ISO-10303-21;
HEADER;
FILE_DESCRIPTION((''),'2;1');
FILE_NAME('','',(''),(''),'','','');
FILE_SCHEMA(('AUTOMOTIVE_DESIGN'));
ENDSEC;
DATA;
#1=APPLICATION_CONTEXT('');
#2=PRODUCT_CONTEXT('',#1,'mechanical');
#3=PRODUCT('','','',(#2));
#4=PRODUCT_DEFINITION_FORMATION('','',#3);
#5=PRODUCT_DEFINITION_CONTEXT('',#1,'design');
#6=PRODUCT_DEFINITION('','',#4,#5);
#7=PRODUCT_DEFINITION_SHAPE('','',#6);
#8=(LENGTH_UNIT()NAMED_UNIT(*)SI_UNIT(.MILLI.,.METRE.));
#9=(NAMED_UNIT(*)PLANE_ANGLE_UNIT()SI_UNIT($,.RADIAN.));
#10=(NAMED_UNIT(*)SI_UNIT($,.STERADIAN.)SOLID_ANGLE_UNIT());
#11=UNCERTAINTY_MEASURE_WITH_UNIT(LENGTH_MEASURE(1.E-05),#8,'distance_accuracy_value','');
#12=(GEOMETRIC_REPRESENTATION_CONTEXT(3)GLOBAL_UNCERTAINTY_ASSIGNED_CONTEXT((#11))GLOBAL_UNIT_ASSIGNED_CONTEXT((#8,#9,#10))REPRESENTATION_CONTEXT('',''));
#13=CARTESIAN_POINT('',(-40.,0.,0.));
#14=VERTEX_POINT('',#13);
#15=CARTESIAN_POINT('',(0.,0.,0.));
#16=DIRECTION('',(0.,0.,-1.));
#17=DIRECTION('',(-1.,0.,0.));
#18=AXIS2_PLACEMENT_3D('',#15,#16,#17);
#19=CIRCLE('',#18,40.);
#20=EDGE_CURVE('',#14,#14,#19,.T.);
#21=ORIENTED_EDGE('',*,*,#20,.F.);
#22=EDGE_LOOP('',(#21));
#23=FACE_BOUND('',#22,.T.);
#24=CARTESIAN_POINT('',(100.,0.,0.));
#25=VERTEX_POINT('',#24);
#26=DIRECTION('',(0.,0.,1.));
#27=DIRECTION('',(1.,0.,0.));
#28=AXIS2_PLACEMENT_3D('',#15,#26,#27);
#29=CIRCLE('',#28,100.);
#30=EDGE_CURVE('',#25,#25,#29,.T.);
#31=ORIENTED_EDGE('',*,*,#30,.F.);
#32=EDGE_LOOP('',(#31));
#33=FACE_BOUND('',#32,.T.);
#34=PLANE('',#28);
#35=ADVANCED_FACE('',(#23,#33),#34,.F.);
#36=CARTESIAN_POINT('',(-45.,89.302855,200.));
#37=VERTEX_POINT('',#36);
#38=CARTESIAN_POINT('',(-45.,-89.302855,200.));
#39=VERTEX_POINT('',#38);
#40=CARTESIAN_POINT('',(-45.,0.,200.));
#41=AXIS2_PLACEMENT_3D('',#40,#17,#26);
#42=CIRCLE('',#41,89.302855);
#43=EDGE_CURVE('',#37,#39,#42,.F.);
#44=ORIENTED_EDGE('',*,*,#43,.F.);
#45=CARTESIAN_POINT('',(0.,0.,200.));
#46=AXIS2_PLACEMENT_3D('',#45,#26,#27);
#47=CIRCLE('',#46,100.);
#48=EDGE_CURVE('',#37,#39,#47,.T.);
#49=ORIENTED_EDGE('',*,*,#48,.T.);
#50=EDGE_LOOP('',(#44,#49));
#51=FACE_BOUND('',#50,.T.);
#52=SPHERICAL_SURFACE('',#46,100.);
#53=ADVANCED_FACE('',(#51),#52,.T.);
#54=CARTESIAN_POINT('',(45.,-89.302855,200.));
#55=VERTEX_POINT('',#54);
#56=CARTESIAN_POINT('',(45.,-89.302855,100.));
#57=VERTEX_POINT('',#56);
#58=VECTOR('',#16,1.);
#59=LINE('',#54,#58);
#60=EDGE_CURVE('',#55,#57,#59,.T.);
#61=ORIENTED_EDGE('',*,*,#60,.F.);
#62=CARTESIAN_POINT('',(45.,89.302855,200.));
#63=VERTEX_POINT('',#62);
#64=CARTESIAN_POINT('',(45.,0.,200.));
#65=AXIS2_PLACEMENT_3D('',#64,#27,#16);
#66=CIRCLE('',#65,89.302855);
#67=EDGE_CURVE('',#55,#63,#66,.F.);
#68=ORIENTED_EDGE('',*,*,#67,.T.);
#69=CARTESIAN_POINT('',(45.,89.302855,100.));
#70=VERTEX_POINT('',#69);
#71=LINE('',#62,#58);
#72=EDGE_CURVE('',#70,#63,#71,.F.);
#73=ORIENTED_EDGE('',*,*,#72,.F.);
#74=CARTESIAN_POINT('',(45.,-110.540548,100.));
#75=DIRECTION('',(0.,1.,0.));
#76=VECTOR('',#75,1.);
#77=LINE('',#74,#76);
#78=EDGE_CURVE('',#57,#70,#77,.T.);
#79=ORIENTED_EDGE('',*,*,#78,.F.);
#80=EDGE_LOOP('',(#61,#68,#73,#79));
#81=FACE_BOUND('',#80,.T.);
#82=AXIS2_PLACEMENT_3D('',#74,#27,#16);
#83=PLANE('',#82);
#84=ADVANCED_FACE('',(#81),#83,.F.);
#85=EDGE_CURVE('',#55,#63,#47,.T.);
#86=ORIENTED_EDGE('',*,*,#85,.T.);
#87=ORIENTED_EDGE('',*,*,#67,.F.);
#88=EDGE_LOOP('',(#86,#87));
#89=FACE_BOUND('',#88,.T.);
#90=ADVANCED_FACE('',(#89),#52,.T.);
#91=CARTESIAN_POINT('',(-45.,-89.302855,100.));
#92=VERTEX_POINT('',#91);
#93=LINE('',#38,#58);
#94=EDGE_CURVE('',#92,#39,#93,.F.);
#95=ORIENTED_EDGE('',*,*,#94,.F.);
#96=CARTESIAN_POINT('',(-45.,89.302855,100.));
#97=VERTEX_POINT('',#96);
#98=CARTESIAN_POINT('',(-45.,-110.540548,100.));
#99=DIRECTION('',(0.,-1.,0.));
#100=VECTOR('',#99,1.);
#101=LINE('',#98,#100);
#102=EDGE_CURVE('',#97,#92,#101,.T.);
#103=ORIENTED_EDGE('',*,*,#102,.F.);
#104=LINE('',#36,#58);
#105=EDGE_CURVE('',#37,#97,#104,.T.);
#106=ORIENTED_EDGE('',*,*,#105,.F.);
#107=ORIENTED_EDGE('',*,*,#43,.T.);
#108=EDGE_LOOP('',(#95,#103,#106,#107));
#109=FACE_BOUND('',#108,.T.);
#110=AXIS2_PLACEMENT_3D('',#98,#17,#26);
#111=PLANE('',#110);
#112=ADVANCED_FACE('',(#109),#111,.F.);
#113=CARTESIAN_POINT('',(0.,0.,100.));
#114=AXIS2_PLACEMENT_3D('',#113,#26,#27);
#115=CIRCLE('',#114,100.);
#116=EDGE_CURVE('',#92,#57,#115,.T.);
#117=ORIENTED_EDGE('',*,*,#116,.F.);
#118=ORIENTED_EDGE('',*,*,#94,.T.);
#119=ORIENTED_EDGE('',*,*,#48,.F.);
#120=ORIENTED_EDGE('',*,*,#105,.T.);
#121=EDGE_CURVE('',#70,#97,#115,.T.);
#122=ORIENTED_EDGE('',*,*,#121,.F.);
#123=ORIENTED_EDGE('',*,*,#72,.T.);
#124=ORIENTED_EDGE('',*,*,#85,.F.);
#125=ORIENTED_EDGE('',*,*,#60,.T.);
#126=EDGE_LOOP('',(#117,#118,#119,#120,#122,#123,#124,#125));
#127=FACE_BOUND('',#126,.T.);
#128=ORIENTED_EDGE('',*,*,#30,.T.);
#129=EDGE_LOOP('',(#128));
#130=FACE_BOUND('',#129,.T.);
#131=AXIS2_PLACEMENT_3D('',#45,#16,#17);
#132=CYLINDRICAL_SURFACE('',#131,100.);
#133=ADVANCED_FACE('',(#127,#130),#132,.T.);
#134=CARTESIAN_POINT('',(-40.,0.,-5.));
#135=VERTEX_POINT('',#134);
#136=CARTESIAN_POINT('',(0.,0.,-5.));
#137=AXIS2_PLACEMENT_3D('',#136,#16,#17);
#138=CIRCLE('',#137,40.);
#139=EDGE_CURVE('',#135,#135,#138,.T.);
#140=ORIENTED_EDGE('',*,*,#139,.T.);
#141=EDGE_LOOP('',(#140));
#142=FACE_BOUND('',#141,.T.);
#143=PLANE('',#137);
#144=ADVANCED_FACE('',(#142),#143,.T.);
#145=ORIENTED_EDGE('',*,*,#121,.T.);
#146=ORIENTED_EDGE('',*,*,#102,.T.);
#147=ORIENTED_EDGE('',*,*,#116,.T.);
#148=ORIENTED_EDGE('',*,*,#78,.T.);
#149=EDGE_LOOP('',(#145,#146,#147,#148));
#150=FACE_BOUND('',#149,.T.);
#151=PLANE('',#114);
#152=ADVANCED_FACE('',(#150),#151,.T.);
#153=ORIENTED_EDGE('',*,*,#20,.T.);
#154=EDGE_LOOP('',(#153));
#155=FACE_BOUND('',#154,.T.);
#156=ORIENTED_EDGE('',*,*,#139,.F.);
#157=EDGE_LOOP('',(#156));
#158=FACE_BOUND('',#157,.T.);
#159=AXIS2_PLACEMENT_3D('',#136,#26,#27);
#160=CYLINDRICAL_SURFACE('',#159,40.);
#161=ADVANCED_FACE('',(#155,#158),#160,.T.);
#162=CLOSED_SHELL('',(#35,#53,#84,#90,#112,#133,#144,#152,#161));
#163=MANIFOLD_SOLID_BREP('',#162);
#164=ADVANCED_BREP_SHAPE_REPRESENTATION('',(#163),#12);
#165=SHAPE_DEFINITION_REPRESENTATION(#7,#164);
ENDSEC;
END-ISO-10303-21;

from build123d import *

# Parameters (mm, degrees)
SKETCH1_R           = 100
BOSS_EXTRUDE2_DEPTH = 200
DOME1_FACE_RADIUS   = 100
DOME1_HEIGHT        = 100
SKETCH3_W           = 90
SKETCH3_H           = 221.081096798
CUT_EXTRUDE1_DEPTH  = 200
SKETCH4_R           = 40
BOSS_EXTRUDE3_DEPTH = 5


with BuildPart() as part:
    # Sketch1 → Boss-Extrude2 (new body)
    with BuildSketch(Plane.XY):
        Circle(SKETCH1_R)
    extrude(amount=BOSS_EXTRUDE2_DEPTH)

    # Dome1: a dome of height H over a round flat face of radius A is a cap of a sphere of radius (A * A + H * H) / (2 * H)
    dome1_r = (DOME1_FACE_RADIUS * DOME1_FACE_RADIUS + DOME1_HEIGHT * DOME1_HEIGHT) / (2 * DOME1_HEIGHT)
    dome1_base = Plane((0, 0, 200), z_dir=(0, 0, 1))
    with Locations(dome1_base.offset(DOME1_HEIGHT - dome1_r)):
        dome1_ball = Sphere(dome1_r, mode=Mode.PRIVATE)
    add(split(dome1_ball, bisect_by=dome1_base, keep=Keep.TOP, mode=Mode.PRIVATE))

    # Sketch3 → Cut-Extrude1 (cut)
    with BuildSketch(Plane.XY.offset(300)):
        Rectangle(SKETCH3_W, SKETCH3_H)
    extrude(amount=-CUT_EXTRUDE1_DEPTH, mode=Mode.SUBTRACT)

    # Sketch4 → Boss-Extrude3 (add)
    with BuildSketch(Plane(origin=(0, 0, 0), x_dir=(-1, 0, 0), z_dir=(0, 0, -1))):
        Circle(SKETCH4_R)
    extrude(amount=BOSS_EXTRUDE3_DEPTH)


solid = part.part
